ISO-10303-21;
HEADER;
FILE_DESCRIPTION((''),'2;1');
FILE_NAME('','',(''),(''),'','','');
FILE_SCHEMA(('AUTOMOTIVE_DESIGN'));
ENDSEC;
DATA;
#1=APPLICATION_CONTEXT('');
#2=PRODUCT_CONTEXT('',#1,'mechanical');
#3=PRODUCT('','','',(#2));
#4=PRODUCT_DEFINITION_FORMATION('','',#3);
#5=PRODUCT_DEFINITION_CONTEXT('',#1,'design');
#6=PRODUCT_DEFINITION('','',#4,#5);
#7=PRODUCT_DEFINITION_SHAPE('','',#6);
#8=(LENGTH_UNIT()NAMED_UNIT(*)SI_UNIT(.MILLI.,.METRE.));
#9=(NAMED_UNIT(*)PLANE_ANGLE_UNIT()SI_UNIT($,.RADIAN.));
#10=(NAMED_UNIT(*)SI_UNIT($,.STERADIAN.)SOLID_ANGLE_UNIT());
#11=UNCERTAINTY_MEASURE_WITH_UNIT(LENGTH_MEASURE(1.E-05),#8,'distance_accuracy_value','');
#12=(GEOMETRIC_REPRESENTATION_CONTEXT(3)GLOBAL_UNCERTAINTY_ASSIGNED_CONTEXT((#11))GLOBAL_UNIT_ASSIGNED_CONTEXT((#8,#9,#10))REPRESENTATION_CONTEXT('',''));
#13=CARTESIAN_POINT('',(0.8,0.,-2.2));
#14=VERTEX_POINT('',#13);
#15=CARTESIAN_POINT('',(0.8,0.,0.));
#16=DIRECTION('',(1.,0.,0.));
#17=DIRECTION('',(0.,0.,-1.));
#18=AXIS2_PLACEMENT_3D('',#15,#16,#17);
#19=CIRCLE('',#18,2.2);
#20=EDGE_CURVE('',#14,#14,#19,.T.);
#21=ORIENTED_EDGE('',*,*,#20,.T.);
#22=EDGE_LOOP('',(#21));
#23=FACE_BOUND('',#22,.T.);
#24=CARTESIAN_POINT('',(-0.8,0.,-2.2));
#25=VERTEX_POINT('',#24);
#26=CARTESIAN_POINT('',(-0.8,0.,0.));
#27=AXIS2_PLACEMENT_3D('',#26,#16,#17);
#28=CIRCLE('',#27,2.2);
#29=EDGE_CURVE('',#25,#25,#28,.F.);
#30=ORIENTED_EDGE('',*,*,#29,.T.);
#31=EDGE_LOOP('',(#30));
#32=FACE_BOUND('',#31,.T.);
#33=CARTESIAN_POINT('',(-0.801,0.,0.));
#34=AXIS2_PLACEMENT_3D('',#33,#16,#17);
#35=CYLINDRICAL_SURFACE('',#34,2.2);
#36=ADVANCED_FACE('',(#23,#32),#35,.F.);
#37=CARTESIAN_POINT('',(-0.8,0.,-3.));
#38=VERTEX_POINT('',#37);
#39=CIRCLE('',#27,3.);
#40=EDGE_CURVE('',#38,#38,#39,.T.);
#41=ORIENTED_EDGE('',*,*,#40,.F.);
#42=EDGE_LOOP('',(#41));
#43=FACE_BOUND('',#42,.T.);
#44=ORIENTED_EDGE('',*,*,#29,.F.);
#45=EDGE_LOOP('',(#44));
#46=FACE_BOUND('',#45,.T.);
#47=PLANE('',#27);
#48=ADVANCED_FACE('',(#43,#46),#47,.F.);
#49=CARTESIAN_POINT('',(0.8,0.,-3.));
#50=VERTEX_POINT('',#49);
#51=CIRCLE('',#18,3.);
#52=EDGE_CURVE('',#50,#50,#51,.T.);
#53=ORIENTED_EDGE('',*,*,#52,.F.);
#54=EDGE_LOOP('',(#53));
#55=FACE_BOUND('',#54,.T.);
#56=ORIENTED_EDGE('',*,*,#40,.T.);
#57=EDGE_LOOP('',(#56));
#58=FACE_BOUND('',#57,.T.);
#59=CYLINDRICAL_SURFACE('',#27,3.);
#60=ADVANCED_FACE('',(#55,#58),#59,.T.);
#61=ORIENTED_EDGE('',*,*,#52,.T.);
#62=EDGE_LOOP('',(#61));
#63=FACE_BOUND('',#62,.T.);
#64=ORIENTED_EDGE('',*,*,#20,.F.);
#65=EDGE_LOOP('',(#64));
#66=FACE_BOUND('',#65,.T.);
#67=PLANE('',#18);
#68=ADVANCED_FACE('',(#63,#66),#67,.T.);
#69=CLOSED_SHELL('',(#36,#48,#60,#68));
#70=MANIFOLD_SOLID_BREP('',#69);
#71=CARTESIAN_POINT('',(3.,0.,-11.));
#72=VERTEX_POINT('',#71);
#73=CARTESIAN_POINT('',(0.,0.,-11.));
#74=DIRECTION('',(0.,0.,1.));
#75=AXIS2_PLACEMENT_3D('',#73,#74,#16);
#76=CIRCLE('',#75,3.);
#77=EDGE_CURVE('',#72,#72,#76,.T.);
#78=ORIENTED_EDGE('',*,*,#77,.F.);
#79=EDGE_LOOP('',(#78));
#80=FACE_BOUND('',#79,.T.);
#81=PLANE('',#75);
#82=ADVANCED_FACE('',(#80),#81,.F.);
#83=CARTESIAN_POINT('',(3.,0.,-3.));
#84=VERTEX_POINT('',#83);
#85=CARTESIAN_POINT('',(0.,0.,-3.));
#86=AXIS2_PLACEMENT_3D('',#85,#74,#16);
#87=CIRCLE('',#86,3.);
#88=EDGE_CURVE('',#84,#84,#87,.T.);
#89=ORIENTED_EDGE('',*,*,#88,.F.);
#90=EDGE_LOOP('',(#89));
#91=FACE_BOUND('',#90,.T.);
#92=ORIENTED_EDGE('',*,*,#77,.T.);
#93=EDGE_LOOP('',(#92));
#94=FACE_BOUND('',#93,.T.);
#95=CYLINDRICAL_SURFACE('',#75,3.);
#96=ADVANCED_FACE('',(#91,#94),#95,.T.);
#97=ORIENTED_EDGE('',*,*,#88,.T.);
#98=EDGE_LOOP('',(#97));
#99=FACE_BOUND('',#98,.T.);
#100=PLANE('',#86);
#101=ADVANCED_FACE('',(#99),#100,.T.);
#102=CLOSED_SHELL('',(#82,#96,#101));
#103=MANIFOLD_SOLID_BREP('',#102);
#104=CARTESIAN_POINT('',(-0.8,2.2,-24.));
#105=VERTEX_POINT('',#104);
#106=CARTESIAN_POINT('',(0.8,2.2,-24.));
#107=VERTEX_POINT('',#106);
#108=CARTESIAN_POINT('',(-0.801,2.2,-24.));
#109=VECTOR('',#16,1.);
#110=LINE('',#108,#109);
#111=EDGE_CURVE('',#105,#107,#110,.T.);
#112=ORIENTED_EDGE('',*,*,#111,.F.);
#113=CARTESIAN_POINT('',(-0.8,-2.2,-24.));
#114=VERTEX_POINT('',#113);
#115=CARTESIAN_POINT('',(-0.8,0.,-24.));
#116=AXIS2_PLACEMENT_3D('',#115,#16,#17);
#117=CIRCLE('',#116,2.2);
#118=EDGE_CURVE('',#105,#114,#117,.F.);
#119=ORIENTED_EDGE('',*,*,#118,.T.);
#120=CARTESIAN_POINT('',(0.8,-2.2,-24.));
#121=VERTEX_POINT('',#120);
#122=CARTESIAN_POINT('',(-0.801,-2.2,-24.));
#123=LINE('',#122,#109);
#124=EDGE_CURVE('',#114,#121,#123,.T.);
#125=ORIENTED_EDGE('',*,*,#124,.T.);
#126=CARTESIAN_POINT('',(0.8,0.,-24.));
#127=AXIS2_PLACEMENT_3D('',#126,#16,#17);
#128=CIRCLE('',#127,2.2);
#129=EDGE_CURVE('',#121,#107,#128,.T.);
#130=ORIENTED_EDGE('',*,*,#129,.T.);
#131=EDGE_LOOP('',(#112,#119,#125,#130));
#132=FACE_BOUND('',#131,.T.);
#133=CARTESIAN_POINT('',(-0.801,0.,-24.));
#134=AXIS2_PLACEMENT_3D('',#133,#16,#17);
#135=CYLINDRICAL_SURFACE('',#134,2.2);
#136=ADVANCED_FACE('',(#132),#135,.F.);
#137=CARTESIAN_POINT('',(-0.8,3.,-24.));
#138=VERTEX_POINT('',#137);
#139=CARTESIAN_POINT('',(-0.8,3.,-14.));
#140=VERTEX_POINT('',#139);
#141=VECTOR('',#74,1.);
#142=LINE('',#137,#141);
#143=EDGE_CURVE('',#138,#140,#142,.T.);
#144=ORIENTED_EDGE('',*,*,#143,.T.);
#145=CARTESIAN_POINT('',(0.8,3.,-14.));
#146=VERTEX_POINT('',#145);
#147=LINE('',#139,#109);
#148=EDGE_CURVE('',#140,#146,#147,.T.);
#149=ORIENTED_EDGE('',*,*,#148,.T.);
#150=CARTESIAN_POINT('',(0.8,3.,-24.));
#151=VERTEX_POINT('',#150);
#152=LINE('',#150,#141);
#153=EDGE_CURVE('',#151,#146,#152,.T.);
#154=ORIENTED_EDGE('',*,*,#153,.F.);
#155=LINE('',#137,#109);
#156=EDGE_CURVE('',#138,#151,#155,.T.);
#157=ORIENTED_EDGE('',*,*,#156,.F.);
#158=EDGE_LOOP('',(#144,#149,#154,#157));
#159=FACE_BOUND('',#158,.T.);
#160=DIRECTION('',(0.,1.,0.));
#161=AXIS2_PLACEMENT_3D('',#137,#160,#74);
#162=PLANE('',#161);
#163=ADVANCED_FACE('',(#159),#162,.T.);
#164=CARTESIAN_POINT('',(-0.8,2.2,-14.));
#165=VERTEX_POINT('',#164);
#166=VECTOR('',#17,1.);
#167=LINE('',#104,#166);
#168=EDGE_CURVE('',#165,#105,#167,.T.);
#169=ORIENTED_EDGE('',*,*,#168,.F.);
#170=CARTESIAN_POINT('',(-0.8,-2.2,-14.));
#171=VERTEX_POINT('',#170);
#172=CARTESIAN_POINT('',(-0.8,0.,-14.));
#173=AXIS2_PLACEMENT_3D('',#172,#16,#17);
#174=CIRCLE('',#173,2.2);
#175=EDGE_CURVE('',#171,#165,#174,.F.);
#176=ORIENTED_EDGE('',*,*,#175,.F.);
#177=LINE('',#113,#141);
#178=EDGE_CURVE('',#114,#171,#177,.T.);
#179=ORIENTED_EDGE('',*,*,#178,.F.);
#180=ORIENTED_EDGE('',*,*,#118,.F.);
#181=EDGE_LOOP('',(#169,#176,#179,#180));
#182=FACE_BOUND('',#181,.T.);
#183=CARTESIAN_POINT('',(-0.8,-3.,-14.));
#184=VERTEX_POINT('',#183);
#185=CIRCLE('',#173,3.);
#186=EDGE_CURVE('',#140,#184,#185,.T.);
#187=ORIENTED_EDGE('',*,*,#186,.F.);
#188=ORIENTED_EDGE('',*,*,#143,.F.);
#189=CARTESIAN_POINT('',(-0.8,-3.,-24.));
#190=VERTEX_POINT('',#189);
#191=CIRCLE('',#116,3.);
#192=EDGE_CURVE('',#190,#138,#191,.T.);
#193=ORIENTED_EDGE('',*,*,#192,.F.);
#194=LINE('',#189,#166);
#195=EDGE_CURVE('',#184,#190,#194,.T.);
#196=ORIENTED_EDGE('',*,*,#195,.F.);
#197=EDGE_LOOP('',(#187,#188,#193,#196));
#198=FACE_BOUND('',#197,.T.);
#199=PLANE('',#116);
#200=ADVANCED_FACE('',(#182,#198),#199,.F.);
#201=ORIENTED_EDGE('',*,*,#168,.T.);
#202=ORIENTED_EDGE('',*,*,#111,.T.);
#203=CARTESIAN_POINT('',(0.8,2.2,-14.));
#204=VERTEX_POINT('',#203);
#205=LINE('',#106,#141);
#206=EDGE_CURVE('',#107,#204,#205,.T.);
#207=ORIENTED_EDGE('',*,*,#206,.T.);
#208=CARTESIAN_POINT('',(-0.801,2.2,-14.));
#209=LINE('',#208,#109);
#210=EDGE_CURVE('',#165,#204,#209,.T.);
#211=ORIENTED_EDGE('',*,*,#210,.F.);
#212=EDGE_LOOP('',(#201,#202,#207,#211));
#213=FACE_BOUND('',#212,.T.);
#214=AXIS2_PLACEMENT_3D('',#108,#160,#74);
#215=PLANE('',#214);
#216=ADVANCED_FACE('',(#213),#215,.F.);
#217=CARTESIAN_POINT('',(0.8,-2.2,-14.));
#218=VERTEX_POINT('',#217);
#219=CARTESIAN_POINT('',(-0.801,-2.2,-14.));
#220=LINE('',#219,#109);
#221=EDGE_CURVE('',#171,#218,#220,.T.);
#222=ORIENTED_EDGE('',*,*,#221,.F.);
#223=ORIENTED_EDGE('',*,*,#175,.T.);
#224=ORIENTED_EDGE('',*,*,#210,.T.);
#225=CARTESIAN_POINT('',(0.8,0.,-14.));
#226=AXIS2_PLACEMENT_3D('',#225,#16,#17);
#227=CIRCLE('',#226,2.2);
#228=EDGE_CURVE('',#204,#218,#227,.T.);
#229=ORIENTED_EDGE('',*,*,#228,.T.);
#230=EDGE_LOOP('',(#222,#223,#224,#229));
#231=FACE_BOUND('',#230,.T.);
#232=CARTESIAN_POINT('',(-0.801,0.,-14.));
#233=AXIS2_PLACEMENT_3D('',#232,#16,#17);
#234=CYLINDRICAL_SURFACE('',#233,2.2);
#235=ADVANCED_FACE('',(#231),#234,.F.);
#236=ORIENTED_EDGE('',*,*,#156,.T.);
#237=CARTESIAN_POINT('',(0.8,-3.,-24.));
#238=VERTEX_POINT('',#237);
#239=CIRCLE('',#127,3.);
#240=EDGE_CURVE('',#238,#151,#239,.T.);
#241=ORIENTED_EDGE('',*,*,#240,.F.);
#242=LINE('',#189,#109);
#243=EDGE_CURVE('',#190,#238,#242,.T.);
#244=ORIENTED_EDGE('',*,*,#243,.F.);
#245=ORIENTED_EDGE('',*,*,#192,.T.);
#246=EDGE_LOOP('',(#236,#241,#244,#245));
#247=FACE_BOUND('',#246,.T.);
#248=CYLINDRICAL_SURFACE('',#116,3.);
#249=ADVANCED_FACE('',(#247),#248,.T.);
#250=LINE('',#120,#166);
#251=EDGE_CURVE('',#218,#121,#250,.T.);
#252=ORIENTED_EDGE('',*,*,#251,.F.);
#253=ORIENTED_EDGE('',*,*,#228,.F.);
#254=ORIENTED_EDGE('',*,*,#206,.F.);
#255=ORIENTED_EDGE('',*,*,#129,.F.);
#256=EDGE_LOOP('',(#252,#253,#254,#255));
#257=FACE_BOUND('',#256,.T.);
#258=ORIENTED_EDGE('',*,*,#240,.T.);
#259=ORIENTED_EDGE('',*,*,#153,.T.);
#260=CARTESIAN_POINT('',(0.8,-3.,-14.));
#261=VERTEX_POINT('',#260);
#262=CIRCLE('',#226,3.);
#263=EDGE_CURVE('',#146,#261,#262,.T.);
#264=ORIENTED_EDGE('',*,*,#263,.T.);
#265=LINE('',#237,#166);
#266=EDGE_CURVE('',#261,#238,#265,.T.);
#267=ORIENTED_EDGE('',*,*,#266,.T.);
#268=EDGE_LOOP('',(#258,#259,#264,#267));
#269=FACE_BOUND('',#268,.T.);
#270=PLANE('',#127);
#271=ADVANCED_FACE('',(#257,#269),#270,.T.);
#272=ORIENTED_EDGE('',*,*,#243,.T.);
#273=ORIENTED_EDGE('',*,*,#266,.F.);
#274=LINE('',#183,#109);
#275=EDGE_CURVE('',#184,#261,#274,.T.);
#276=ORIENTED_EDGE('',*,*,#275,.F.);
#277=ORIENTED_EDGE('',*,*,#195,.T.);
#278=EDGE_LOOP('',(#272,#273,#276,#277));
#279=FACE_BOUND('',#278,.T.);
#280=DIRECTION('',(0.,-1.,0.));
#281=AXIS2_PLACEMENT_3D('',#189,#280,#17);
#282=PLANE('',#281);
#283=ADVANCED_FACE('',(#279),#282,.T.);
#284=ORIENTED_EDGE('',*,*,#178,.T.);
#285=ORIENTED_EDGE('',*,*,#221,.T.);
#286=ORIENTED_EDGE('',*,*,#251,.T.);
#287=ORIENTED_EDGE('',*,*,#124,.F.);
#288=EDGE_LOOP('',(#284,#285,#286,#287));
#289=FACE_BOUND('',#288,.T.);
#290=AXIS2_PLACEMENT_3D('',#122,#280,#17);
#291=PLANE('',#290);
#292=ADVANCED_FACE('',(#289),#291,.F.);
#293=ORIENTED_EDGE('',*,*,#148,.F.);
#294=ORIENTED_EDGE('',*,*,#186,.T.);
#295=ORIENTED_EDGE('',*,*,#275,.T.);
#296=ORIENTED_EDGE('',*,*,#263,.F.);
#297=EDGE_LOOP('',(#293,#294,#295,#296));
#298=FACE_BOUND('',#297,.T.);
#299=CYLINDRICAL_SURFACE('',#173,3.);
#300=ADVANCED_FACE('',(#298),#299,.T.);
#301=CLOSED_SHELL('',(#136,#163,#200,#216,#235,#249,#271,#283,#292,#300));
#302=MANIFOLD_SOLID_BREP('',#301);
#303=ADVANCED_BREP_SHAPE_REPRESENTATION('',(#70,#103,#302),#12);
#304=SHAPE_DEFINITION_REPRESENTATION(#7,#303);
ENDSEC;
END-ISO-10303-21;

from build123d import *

# Parameters (mm, degrees)
BOSS_EXTRUDE1_DEPTH        = 0.8
BOSS_EXTRUDE1_DEPTH_BACK   = 0.8
SKETCH1_R                  = 3
BOSS_EXTRUDE1_2_DEPTH      = 0.8
BOSS_EXTRUDE1_2_DEPTH_BACK = 0.8
SKETCH2_R                  = 2.2
CUT_EXTRUDE1_DEPTH         = 1.6
SKETCH6_R                  = 3
BOSS_EXTRUDE3_DEPTH        = 8


with BuildPart() as part:
    # Sketch1 → Boss-Extrude1 (new, two sides: drawn at the far end of the back side and taken through both)
    with BuildSketch(Plane(origin=(0, 0, 0), x_dir=(0, 0, -1), z_dir=(1, 0, 0)).offset(-BOSS_EXTRUDE1_DEPTH_BACK)):
        Circle(SKETCH1_R)
    extrude(amount=BOSS_EXTRUDE1_DEPTH + BOSS_EXTRUDE1_DEPTH_BACK)


with BuildPart() as body_2:
    # Sketch1 → Boss-Extrude1 2 (new, two sides: drawn at the far end of the back side and taken through both)
    with BuildSketch(Plane(origin=(0, 0, 0), x_dir=(0, 0, -1), z_dir=(1, 0, 0)).offset(-BOSS_EXTRUDE1_2_DEPTH_BACK)):
        with BuildLine():
            Line((24, -3), (14, -3))
            ThreePointArc((14, -3), (11, 0), (14, 3))
            Line((14, 3), (24, 3))
            ThreePointArc((24, 3), (27, 0), (24, -3))
        make_face()
    extrude(amount=BOSS_EXTRUDE1_2_DEPTH + BOSS_EXTRUDE1_2_DEPTH_BACK)


with BuildPart() as cut_extrude1_tool:
    # Sketch2 → Cut-Extrude1 (new body)
    with BuildSketch(Plane(origin=(0.8, 0, 0), x_dir=(0, 0, -1), z_dir=(1, 0, 0))):
        Circle(SKETCH2_R)
        with BuildLine():
            Line((24, -2.2), (14, -2.2))
            ThreePointArc((14, -2.2), (11.8, 0), (14, 2.2))
            Line((14, 2.2), (24, 2.2))
            ThreePointArc((24, 2.2), (26.2, 0), (24, -2.2))
        make_face()
    extrude(amount=-CUT_EXTRUDE1_DEPTH)


with BuildPart() as part_1:
    add(part.part)

    # Cut-Extrude1: cut by cut_extrude1_tool
    add(cut_extrude1_tool.part, mode=Mode.SUBTRACT)


with BuildPart() as body_2_1:
    add(body_2.part)

    # Cut-Extrude1: cut by cut_extrude1_tool
    add(cut_extrude1_tool.part, mode=Mode.SUBTRACT)


with BuildPart() as body_3:
    # Sketch6 → Boss-Extrude3 (new body)
    with BuildSketch(Plane.XY.offset(-3)):
        Circle(SKETCH6_R)
    extrude(amount=-BOSS_EXTRUDE3_DEPTH)


solid = Compound([part_1.part, body_2_1.part, body_3.part])
